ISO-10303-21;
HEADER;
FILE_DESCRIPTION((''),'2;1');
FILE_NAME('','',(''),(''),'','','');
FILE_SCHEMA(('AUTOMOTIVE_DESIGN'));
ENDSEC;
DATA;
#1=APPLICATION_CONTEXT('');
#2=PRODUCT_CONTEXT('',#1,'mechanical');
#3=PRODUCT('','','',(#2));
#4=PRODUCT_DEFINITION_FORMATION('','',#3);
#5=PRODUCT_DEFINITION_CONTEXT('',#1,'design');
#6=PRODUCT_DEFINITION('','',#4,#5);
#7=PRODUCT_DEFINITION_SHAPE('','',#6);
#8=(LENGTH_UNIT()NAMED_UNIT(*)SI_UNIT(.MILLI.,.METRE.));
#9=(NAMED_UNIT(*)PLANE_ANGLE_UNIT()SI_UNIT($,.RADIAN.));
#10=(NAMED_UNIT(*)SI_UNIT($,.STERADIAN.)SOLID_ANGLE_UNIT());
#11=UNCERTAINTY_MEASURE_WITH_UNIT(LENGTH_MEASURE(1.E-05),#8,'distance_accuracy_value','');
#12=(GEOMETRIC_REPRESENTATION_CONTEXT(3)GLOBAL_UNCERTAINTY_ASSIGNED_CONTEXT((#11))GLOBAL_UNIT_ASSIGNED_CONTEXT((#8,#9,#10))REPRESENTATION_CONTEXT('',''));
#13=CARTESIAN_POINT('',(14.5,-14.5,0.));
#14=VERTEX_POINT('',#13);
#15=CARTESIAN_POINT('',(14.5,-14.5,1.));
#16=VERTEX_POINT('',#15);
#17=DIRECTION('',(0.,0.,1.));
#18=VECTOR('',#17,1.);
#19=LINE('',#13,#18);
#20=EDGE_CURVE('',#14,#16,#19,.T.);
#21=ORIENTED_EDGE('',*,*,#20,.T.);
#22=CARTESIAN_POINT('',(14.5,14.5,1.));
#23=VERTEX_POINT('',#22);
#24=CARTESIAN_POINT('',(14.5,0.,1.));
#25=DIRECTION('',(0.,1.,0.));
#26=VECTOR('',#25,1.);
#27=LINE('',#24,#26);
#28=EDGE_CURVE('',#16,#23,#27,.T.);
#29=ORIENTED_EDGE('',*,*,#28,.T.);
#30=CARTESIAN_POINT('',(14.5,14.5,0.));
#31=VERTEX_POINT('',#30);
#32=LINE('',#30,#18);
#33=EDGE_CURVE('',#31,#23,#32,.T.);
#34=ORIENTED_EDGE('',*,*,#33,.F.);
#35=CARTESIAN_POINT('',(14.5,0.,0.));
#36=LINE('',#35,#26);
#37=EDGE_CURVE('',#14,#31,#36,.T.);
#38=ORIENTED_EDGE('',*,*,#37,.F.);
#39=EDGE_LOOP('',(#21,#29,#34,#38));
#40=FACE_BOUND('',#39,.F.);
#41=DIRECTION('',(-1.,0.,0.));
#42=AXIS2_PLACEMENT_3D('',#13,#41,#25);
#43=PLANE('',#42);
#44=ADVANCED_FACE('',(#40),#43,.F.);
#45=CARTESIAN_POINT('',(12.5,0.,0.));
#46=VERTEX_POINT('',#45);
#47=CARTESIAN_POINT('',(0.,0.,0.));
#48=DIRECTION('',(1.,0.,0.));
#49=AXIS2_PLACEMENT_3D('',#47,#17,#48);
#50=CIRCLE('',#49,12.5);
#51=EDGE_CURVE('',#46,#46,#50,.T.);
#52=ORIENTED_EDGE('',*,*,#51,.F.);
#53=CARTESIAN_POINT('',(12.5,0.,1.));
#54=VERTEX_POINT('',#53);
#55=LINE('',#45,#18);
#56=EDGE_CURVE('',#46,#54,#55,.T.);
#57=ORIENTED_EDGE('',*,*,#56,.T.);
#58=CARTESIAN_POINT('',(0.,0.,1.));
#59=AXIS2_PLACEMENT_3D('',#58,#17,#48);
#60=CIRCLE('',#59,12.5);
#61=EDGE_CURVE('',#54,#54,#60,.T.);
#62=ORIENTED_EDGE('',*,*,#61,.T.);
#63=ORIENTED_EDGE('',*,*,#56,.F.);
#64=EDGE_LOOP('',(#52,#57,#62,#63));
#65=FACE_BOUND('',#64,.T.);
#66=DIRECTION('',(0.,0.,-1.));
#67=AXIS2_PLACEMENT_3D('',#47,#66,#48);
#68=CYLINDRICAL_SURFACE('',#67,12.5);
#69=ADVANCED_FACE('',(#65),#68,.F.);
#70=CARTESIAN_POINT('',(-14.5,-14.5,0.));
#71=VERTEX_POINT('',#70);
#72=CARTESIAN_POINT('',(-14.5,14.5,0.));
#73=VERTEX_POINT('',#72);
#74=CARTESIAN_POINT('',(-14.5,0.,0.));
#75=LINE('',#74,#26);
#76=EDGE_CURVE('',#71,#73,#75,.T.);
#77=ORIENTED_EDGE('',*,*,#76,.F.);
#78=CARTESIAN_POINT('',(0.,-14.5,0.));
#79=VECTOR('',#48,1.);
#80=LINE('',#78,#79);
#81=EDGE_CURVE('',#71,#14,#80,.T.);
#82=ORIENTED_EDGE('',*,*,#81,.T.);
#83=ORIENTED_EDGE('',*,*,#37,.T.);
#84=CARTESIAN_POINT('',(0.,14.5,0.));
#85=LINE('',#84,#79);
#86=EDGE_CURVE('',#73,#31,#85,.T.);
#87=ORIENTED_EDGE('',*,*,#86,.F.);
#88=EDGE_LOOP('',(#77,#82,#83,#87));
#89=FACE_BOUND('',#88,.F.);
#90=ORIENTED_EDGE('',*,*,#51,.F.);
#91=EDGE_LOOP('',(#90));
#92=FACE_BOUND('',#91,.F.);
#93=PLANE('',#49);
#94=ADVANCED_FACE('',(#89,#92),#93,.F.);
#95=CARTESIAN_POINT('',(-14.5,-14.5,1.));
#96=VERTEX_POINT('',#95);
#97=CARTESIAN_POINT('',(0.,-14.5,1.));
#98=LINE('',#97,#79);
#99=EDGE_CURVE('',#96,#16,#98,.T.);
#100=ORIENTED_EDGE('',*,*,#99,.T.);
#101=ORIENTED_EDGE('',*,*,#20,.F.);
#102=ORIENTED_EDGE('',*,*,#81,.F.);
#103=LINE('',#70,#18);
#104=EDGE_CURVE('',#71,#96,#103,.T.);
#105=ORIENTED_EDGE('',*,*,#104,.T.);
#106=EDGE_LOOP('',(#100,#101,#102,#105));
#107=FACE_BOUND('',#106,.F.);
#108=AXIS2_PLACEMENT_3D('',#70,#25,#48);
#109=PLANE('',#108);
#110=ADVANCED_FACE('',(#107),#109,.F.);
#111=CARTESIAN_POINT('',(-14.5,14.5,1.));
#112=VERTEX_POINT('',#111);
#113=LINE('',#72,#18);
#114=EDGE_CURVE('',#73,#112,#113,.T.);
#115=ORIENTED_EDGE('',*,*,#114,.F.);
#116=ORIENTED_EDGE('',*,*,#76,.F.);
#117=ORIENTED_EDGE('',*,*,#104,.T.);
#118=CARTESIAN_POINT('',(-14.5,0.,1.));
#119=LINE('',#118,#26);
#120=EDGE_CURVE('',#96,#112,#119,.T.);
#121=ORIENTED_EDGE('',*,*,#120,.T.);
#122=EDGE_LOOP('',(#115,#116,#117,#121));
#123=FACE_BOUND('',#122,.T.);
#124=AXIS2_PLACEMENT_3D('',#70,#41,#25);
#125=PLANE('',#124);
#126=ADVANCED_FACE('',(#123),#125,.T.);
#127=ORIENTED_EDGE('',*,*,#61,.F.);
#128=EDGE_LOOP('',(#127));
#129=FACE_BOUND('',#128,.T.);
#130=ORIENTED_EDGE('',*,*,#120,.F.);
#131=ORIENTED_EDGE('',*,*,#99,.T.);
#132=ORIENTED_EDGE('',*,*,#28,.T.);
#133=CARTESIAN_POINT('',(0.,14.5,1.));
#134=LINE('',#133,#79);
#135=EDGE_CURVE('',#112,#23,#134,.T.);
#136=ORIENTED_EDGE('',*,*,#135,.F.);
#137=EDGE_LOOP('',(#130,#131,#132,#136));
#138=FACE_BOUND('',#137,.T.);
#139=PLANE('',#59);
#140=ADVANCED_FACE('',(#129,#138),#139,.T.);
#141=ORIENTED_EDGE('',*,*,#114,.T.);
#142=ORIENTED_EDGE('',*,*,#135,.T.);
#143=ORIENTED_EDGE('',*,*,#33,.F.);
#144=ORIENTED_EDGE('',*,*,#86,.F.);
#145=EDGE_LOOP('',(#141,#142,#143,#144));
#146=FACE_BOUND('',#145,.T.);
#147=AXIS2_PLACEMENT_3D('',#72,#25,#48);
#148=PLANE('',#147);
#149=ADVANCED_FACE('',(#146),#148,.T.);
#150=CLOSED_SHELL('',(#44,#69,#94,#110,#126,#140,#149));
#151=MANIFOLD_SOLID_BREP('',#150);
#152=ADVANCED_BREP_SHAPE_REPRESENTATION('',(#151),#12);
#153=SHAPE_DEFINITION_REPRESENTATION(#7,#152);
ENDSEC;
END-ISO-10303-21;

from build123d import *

# Parameters (mm, degrees)
SKETCH_W  = 29
SKETCH_H  = 29
SKETCH_R  = 12.5
PAD_DEPTH = 1


with BuildPart() as part:
    # Sketch → Pad (new body)
    with BuildSketch(Plane.XY):
        Rectangle(SKETCH_W, SKETCH_H)
        Circle(SKETCH_R, mode=Mode.SUBTRACT)
    extrude(amount=PAD_DEPTH)


solid = part.part
